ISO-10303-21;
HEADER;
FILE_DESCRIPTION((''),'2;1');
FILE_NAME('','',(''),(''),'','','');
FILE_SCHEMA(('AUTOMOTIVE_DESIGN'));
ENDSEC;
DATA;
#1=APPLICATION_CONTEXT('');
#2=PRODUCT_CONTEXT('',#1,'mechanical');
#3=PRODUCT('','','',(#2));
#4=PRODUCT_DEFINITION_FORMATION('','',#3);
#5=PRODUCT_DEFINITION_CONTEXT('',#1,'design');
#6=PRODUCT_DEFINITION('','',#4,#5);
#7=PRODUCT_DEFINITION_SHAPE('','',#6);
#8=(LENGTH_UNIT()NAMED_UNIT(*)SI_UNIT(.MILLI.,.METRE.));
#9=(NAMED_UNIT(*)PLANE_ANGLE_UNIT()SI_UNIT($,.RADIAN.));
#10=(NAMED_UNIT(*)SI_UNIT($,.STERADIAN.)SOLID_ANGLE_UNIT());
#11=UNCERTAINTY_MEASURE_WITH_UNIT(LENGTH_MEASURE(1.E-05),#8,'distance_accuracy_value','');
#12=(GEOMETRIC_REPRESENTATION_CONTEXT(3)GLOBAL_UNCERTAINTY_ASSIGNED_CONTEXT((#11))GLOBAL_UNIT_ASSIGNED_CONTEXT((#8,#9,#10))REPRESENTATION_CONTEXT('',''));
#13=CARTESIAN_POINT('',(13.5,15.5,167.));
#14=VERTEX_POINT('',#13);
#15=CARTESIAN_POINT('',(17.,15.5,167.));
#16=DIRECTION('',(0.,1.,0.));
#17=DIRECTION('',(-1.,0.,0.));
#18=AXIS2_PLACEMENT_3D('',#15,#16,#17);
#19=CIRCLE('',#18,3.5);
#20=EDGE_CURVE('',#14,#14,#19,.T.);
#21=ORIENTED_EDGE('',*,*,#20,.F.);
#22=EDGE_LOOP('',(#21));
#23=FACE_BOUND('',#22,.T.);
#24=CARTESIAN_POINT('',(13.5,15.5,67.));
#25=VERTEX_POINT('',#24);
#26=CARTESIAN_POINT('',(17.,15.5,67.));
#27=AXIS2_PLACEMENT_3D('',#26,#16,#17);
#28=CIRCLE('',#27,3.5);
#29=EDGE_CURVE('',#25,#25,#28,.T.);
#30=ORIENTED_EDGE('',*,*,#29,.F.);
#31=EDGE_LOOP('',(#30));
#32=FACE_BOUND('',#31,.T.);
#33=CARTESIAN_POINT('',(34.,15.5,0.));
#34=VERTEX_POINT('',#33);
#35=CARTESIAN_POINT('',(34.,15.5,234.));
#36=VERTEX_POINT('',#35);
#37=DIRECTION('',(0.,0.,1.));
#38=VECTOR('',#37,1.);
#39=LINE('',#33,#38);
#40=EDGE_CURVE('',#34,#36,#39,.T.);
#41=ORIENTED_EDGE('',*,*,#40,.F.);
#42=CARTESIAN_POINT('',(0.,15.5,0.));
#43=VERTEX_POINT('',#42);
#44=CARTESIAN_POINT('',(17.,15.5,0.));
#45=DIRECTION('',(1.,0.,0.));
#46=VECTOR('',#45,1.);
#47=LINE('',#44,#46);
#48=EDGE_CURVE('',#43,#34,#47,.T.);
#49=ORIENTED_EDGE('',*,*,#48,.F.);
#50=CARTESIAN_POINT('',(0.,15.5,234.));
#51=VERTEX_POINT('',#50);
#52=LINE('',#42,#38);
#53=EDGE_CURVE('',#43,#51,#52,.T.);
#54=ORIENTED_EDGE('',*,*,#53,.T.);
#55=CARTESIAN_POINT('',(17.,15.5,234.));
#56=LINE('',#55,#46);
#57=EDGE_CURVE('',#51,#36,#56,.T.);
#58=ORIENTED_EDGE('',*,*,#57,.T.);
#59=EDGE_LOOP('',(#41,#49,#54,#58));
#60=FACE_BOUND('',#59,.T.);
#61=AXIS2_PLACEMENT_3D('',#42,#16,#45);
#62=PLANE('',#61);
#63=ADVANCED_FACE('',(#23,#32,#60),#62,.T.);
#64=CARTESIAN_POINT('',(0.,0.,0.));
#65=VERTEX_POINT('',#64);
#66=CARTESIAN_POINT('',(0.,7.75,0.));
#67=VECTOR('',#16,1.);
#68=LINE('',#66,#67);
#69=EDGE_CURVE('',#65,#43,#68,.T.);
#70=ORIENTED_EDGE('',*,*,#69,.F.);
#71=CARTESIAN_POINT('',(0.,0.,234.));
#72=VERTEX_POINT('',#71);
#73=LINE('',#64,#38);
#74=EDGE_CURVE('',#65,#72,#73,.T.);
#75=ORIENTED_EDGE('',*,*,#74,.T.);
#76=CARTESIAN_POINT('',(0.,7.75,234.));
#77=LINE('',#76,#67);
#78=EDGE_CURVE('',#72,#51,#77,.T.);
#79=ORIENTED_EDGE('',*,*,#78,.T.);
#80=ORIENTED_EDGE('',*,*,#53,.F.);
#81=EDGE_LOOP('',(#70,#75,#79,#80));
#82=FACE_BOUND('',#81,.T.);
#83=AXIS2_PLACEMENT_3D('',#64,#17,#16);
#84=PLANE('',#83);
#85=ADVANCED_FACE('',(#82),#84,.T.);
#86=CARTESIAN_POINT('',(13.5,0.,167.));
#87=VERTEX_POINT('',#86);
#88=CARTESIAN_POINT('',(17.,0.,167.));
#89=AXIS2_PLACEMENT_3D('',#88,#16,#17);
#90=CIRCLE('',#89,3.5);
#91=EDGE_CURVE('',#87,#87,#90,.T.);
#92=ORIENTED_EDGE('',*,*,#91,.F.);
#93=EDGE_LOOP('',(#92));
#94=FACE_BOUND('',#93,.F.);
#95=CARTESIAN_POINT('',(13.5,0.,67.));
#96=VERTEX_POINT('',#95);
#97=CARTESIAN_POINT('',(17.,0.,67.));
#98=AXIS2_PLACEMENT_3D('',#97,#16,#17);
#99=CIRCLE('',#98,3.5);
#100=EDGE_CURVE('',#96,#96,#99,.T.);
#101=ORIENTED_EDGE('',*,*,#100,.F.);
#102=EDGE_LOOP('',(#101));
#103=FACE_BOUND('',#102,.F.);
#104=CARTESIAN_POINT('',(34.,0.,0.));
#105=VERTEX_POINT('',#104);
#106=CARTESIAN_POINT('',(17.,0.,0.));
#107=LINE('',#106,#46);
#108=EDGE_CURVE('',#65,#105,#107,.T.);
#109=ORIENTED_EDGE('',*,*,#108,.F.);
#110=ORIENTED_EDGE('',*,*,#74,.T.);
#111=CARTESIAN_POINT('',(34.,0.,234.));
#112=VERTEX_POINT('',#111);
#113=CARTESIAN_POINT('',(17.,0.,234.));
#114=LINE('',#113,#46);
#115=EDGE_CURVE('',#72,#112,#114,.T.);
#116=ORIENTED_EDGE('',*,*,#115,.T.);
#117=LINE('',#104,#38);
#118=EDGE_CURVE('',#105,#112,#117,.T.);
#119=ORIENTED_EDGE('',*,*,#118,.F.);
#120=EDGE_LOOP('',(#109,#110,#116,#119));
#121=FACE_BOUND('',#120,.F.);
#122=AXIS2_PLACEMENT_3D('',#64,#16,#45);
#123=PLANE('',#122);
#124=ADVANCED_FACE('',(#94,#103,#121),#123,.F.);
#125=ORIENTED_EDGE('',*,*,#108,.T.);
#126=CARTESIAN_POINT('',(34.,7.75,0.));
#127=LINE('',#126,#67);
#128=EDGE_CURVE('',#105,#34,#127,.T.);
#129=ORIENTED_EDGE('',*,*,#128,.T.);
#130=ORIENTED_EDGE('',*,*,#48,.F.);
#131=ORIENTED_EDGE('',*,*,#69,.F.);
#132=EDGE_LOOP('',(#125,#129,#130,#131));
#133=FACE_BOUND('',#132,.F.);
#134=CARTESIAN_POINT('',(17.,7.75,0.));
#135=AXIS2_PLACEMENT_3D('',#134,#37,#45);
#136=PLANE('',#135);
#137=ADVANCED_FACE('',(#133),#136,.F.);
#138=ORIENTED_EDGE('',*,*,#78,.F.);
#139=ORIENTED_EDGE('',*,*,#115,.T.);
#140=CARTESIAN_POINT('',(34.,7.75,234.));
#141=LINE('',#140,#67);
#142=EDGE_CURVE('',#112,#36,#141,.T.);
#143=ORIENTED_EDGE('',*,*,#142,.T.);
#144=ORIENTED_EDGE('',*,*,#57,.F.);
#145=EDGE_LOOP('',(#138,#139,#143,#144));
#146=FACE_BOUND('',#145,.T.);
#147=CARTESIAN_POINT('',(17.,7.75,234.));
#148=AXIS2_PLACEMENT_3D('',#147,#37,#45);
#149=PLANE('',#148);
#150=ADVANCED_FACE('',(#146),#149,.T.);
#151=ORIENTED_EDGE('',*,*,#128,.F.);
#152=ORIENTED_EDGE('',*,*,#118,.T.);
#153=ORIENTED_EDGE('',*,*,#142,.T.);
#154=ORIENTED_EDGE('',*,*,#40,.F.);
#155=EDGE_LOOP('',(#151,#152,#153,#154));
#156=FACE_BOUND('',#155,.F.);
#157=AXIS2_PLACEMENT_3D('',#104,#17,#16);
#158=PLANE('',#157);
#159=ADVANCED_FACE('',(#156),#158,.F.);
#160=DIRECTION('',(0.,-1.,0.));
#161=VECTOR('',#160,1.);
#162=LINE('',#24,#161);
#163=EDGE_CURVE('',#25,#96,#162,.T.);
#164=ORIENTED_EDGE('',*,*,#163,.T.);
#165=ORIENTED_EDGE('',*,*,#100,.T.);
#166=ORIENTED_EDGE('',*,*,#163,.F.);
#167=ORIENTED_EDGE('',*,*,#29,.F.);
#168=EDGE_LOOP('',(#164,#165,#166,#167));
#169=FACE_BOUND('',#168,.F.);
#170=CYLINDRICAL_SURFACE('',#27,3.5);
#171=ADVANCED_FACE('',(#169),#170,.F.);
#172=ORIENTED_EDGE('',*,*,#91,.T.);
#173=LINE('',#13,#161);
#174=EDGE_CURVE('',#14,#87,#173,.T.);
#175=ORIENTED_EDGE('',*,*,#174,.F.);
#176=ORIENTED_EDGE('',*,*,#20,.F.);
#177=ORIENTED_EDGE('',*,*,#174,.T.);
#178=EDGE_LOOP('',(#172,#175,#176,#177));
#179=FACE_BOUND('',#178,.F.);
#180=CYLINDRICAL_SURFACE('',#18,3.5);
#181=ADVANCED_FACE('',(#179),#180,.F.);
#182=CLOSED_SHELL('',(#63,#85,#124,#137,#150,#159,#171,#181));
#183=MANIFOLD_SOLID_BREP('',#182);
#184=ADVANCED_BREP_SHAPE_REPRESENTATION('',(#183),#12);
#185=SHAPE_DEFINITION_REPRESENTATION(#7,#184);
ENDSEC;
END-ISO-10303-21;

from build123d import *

# Parameters (mm, degrees)
F0_W     = 34
F0_H     = 15.5
F1_DEPTH = 234
F2_R     = 3.5
F3_DEPTH = 25


with BuildPart() as f1:
    # F0 (on Top) → F1 (new body)
    with BuildSketch(Plane.XY):
        with Locations((17, 7.75)):
            Rectangle(F0_W, F0_H)
    extrude(amount=F1_DEPTH)

    # F2 (on face) → F3 (cut)
    with BuildSketch(Plane(origin=(0, 15.5, 0), x_dir=(-1, 0, 0), z_dir=(0, 1, 0))):
        with Locations((-17, 167)):
            Circle(F2_R)
        with Locations((-17, 67)):
            Circle(F2_R)
    extrude(amount=-F3_DEPTH, mode=Mode.SUBTRACT)


solid = f1.part
